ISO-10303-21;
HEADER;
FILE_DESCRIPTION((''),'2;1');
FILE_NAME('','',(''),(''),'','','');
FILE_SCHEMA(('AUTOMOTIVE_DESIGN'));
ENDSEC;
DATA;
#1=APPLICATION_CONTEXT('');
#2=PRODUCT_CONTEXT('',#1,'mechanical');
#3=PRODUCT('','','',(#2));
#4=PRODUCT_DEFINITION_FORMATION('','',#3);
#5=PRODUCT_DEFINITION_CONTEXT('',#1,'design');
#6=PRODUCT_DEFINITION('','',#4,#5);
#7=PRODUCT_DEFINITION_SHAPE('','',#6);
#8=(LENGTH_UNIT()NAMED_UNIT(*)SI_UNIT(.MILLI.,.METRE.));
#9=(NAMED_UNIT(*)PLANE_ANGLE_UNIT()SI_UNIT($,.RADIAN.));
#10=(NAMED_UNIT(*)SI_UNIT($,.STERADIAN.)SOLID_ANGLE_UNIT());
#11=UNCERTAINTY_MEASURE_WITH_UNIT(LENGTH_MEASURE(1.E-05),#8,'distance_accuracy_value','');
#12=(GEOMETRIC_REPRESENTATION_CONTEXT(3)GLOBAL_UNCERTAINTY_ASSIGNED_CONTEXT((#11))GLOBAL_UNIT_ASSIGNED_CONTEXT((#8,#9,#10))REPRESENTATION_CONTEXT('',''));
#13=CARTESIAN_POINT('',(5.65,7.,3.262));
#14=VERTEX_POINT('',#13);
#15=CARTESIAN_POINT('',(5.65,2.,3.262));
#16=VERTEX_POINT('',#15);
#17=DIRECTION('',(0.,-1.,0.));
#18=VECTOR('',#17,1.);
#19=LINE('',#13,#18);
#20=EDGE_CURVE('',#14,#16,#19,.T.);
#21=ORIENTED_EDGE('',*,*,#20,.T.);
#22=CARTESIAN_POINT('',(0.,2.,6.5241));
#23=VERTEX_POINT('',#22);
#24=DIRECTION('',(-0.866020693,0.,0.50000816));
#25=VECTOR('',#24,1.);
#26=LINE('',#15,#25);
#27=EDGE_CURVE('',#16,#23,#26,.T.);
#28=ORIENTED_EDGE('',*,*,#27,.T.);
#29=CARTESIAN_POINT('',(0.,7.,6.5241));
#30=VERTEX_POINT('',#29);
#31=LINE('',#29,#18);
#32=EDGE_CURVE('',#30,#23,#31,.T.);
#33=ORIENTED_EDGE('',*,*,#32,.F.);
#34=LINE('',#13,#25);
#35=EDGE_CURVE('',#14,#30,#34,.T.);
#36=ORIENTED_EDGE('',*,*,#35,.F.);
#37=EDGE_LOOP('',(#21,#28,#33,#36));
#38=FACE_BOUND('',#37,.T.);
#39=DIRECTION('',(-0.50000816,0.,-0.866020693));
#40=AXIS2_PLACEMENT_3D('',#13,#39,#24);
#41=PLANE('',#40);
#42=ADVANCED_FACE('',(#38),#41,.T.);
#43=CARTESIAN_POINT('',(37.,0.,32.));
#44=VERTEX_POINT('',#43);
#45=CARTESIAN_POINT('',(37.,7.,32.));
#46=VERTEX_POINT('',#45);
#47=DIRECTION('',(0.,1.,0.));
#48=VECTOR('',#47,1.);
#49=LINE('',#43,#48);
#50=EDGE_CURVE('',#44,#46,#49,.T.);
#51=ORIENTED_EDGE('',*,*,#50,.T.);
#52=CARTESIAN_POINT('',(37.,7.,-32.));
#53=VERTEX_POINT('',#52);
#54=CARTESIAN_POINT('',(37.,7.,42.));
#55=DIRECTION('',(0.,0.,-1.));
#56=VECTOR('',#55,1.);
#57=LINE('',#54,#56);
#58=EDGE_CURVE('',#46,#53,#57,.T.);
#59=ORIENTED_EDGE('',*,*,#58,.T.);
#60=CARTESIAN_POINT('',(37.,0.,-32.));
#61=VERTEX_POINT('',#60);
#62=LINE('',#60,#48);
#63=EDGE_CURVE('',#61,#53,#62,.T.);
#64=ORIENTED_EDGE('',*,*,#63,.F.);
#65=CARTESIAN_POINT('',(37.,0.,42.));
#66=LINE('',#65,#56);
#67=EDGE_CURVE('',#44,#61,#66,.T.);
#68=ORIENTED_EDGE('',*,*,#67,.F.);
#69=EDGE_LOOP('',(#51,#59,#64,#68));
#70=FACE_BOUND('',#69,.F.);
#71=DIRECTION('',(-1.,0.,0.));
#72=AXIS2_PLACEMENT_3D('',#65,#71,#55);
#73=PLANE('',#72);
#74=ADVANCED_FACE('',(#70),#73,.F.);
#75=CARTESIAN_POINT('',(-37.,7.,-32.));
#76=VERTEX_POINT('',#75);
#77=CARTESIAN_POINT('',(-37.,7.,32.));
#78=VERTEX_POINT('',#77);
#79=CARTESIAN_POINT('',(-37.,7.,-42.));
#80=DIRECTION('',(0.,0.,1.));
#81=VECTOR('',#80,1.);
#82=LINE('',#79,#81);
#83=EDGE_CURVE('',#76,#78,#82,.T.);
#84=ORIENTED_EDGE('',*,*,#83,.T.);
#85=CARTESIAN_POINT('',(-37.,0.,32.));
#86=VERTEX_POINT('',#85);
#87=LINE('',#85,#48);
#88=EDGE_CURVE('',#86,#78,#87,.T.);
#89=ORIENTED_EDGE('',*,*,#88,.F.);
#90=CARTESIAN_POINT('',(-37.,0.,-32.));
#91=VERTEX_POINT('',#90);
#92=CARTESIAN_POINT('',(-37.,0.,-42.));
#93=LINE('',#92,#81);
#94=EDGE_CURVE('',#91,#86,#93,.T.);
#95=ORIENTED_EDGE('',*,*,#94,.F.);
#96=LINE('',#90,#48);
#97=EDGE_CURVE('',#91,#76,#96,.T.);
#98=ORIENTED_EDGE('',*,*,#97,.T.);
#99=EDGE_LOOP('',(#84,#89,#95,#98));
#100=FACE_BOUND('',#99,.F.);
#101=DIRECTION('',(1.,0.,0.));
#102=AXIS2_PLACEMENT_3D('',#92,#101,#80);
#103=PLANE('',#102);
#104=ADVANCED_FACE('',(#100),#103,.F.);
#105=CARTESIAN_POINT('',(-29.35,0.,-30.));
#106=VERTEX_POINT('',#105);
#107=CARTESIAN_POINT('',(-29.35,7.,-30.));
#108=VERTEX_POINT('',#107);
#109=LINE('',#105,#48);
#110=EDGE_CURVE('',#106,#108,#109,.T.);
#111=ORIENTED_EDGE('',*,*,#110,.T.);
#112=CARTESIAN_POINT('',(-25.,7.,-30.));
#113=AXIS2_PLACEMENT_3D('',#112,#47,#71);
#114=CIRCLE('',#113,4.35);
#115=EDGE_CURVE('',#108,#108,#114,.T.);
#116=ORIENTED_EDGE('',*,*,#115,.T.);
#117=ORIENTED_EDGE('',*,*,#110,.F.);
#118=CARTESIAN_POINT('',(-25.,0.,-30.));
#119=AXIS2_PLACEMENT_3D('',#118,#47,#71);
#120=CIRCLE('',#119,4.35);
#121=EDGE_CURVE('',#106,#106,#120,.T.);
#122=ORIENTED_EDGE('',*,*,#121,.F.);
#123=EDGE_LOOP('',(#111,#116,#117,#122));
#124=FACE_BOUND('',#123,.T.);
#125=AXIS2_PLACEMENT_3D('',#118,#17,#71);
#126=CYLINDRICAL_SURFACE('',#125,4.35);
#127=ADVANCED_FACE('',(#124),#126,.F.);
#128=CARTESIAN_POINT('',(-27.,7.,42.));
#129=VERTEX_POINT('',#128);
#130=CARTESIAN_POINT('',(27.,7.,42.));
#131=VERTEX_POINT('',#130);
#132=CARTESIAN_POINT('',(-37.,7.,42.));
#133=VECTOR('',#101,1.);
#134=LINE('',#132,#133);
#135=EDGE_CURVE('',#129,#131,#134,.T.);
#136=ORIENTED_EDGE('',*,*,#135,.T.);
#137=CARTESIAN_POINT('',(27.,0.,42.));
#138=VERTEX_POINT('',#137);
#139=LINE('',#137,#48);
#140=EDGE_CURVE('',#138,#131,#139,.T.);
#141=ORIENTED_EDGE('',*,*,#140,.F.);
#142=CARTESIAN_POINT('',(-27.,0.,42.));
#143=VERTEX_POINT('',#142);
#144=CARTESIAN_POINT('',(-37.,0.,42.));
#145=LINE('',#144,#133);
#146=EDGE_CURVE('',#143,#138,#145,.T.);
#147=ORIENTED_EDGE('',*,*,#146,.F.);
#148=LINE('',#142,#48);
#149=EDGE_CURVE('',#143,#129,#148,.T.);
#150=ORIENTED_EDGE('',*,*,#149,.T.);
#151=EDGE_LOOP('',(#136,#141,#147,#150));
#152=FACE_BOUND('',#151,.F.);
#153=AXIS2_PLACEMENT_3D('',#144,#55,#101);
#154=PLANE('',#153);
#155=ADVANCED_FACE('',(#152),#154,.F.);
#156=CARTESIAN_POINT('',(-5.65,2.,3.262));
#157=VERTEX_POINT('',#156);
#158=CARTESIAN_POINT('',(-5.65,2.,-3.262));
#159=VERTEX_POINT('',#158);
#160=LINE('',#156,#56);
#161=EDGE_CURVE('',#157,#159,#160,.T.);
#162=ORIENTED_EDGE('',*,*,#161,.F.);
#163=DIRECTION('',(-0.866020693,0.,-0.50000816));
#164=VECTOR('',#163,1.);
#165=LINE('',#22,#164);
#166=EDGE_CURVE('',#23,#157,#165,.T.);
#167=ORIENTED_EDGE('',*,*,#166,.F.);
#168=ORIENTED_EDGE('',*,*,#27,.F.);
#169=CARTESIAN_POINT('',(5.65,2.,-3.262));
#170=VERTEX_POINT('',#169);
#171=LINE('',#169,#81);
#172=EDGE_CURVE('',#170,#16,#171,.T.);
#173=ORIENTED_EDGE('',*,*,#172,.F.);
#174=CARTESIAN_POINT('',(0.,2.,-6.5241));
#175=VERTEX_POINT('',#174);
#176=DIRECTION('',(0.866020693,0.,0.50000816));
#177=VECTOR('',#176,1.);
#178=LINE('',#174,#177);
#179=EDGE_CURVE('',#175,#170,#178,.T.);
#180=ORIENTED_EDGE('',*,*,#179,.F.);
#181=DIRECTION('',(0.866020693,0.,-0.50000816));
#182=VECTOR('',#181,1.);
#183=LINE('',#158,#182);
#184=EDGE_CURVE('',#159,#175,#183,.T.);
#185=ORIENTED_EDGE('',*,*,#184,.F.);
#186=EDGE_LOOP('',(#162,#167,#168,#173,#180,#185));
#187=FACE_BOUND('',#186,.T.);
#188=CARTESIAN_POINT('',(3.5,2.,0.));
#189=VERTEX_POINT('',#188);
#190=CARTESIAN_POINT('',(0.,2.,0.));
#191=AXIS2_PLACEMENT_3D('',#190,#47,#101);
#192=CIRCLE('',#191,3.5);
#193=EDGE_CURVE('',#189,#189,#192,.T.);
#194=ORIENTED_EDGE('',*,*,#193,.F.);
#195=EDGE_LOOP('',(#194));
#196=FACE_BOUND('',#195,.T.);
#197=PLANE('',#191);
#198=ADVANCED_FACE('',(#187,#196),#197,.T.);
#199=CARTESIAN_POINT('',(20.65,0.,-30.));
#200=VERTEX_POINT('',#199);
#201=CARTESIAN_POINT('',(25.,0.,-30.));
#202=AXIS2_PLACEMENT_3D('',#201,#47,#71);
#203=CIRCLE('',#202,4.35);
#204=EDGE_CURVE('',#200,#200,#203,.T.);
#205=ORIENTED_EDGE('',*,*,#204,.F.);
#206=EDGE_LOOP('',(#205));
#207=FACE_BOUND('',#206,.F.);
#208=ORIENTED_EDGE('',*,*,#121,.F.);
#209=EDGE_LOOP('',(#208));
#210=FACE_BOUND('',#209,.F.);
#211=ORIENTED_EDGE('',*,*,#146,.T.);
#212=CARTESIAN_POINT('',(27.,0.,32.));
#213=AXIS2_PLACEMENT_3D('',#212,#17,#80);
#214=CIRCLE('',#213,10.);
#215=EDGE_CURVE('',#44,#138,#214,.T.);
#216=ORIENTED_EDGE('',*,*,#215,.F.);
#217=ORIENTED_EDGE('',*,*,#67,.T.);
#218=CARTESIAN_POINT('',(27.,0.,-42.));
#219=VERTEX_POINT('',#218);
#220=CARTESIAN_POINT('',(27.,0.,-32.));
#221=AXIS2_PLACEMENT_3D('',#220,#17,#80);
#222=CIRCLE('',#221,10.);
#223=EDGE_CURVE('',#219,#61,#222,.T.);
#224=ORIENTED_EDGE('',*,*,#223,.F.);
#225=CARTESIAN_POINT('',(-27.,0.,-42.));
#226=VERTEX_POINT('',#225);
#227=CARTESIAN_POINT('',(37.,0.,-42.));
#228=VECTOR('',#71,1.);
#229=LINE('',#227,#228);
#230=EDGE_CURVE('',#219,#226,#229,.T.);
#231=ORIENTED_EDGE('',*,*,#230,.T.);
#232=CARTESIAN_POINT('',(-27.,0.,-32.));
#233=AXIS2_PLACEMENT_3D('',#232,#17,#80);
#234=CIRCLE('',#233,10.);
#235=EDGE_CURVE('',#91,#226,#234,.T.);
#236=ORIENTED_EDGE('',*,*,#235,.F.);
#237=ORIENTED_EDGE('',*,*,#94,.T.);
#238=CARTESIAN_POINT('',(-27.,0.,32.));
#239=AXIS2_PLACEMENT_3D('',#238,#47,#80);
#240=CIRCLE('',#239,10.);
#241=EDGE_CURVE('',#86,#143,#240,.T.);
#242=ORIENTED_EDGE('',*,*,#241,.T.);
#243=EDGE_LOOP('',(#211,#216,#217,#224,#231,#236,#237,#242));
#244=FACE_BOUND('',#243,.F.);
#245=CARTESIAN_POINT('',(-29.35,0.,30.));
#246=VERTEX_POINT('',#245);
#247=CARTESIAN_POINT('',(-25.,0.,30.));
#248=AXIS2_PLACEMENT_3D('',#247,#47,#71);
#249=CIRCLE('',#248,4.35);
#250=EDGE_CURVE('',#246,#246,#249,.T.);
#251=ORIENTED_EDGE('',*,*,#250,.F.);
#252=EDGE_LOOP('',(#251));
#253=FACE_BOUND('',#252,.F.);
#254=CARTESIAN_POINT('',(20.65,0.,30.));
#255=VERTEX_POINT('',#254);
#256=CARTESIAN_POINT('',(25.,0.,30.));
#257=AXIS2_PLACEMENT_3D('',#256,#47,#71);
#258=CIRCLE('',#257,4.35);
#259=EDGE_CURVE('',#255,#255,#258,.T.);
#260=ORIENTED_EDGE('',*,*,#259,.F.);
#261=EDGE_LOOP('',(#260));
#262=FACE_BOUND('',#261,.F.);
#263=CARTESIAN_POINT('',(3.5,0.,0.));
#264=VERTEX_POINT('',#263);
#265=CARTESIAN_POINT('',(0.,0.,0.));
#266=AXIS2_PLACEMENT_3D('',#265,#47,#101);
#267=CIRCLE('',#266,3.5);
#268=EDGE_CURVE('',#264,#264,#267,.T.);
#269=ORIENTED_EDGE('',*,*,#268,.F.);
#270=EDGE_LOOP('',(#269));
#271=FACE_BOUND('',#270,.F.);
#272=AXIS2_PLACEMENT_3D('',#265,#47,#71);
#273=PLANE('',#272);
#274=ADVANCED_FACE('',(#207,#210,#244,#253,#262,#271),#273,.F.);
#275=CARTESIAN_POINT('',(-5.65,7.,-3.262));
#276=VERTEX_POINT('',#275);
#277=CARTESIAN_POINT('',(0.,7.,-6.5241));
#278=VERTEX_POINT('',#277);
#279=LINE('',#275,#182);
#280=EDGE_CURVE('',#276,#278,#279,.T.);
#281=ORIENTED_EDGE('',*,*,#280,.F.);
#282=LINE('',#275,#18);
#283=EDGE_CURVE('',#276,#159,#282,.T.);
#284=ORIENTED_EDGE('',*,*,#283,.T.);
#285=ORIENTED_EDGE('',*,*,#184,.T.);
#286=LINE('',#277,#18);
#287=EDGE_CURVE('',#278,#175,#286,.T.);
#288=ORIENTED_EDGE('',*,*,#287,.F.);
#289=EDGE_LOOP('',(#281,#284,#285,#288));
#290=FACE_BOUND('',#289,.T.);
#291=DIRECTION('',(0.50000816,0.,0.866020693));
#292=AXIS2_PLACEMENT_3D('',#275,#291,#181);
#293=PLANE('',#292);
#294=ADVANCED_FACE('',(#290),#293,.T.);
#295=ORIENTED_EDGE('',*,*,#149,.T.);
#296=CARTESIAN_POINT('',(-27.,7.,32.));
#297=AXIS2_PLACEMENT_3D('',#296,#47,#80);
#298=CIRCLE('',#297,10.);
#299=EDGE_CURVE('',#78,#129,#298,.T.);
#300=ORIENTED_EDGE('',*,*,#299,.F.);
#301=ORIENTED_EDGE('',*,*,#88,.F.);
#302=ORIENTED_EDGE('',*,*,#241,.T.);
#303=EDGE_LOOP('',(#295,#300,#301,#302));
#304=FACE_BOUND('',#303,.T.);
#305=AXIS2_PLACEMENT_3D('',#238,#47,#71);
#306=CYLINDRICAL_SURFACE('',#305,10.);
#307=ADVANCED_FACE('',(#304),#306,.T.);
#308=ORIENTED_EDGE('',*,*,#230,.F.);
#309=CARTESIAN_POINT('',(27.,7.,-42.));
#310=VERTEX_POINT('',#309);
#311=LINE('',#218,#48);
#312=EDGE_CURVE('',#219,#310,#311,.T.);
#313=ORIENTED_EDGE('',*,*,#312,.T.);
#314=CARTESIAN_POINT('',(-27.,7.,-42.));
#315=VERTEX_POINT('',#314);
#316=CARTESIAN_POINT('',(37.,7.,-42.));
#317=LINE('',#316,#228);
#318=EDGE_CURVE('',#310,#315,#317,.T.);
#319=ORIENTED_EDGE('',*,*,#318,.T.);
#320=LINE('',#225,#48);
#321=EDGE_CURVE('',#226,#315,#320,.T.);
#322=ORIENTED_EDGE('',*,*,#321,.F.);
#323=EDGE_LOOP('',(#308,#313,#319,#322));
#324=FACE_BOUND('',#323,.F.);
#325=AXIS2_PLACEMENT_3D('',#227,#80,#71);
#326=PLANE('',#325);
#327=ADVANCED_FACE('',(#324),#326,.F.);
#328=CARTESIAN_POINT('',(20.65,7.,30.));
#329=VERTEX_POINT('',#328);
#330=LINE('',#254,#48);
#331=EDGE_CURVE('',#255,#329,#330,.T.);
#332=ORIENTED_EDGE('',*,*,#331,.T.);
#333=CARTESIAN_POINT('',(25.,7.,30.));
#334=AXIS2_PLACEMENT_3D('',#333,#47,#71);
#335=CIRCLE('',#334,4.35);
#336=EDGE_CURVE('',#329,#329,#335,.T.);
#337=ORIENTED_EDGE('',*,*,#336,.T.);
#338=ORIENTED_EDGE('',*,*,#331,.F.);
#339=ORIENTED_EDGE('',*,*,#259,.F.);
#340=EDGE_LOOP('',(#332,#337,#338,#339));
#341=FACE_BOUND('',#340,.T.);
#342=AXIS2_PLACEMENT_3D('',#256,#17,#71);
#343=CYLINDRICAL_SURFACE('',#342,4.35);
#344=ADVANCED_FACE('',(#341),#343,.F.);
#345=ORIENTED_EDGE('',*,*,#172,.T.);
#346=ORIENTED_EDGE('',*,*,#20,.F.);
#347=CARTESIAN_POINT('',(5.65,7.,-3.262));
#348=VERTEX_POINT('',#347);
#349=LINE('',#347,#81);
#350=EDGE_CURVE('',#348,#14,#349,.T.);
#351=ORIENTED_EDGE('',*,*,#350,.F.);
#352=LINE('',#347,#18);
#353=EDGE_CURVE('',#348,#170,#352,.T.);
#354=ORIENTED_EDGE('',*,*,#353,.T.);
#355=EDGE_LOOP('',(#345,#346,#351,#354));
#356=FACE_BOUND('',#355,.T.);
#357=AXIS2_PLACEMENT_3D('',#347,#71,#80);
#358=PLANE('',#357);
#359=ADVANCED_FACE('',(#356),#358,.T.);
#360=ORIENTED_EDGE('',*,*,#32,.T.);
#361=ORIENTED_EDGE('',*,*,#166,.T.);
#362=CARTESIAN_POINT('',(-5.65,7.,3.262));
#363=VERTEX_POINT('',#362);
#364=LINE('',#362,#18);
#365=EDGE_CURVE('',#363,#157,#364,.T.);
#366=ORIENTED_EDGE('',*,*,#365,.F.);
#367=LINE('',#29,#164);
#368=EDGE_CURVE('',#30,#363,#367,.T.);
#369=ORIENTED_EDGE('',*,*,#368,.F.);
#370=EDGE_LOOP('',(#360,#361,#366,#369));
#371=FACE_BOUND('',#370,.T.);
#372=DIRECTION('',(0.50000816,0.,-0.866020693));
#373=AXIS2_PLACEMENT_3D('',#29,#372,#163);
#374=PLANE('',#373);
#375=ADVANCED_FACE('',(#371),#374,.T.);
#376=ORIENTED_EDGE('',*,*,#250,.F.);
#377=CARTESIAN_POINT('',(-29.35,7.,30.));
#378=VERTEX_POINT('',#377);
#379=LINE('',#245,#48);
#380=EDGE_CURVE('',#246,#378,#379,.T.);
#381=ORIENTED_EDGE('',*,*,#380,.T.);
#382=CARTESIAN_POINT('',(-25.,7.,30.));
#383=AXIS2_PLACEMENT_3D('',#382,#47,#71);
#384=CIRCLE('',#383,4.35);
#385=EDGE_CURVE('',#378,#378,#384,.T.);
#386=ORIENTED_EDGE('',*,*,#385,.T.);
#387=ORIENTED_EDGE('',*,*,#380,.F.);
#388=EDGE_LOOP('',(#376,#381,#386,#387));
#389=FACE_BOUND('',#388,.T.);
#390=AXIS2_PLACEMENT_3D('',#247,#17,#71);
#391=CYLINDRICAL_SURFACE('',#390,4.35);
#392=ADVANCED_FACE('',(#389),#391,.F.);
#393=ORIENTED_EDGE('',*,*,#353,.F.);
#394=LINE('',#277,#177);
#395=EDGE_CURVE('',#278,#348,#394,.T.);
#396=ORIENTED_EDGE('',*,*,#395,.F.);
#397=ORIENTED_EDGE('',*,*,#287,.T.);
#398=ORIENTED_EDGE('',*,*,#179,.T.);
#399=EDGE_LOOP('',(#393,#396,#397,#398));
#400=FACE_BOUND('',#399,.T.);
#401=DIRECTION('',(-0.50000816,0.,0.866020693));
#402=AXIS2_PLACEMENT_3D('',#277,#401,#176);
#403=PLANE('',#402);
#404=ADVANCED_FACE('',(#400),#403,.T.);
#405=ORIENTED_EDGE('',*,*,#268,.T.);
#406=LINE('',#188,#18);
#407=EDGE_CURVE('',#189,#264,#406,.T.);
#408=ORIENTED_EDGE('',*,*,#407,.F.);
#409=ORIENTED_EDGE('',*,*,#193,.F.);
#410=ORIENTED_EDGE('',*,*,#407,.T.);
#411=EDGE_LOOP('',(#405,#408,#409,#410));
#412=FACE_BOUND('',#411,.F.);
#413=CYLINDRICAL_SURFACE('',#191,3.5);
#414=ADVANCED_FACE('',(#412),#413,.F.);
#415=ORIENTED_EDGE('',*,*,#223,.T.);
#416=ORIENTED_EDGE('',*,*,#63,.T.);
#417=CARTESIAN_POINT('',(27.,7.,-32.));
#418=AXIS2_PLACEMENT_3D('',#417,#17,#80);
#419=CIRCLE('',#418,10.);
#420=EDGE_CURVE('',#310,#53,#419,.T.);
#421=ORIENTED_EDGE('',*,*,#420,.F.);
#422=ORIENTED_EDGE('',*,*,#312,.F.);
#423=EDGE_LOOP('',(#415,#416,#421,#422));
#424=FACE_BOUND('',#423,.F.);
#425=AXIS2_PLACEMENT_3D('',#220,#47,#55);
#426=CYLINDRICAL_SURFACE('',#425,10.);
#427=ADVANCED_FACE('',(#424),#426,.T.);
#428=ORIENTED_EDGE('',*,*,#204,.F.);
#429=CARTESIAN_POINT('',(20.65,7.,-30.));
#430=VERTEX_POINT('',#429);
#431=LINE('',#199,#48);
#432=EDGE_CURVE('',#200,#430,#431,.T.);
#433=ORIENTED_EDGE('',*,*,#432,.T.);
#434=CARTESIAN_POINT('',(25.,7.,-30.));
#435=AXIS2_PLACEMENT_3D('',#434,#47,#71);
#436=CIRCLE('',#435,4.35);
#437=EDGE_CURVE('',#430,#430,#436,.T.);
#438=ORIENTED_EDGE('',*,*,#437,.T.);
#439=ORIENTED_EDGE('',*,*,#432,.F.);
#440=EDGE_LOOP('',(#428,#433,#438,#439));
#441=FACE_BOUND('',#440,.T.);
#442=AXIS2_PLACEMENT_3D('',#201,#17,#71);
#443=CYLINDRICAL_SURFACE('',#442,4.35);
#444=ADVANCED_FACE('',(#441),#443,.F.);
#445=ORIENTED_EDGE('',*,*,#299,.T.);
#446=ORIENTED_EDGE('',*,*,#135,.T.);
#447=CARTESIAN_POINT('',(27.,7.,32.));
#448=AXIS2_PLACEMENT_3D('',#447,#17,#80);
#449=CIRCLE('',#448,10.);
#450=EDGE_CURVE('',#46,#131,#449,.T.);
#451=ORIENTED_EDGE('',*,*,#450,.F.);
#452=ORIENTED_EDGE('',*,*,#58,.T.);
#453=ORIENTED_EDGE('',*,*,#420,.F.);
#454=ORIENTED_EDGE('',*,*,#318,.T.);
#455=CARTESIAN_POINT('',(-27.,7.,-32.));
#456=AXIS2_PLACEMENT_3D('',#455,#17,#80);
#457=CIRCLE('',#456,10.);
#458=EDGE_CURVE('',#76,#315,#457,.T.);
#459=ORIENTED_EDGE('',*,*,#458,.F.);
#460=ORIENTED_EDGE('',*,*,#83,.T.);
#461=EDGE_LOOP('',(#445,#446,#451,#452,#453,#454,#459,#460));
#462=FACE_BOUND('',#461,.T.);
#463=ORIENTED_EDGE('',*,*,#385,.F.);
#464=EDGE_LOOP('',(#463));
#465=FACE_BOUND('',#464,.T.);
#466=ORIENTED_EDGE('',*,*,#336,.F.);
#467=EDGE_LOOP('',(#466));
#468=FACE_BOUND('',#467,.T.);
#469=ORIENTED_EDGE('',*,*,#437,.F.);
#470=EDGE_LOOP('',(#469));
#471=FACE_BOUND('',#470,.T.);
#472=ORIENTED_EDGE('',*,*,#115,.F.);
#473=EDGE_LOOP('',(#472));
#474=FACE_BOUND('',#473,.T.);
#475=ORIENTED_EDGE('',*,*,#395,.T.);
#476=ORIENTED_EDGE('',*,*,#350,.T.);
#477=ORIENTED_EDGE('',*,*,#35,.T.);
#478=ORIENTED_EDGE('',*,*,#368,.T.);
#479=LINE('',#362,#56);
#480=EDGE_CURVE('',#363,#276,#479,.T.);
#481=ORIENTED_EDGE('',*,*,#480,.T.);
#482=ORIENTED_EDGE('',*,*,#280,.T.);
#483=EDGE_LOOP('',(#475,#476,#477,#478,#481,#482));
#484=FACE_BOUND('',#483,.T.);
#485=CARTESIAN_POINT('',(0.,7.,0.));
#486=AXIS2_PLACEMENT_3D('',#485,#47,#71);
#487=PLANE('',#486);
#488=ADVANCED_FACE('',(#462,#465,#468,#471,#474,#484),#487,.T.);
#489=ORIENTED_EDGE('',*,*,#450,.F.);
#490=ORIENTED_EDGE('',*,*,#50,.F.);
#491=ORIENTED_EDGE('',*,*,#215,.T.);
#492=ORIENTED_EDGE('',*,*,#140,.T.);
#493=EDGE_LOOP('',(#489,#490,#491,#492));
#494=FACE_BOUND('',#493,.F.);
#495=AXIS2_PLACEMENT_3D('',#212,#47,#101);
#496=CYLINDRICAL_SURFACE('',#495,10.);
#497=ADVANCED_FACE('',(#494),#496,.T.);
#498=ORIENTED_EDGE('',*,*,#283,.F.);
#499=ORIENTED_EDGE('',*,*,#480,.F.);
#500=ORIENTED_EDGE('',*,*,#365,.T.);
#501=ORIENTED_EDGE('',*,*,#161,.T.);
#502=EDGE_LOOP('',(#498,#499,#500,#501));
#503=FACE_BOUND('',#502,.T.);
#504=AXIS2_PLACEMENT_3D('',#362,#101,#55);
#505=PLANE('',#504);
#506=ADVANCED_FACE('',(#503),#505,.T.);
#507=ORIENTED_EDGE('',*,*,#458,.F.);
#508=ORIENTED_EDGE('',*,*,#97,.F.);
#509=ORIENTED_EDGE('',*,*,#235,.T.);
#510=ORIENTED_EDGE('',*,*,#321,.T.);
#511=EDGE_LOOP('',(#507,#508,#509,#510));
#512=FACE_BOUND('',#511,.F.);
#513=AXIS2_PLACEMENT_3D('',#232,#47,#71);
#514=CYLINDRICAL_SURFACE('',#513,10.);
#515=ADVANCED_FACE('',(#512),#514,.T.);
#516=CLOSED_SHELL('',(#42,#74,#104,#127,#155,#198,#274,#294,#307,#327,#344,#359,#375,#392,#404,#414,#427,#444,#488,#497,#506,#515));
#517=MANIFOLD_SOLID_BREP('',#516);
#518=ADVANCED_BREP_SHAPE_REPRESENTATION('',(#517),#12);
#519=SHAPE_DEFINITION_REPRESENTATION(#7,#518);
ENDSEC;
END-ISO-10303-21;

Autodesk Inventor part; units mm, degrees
ref_plane "YZ Plane" through (0, 0, 0) normal (1, 0, 0) x (0, 1, 0)
ref_plane "XZ Plane" through (0, 0, 0) normal (0, 1, 0) x (-1, 0, 0)
ref_plane "XY Plane" through (0, 0, 0) normal (0, 0, 1) x (1, 0, 0)
sketch "Sketch1" plane through (0, 0, 0) normal (0, 1, 0) x (-1, 0, 0)
  line L0 (37, 42) -> (-37, 42)
  line L1 (-37, 42) -> (-37, -42)
  line L2 (-37, -42) -> (37, -42)
  line L3 (37, -42) -> (37, 42)
  line L4 (37, 42) -> (-37, -42) construction
  line L5 (-37, 42) -> (37, -42) construction
  circle A0 centre (25, 30) radius 4.35
  circle A1 centre (25, -30) radius 4.35
  circle A2 centre (-25, 30) radius 4.35
  circle A3 centre (-25, -30) radius 4.35
  point P0 (0, 0)
  dimension "d0" = 74
  dimension "d1" = 84
  dimension "d4" = 60
  dimension "d7" = 50
  dimension "d10" = 8.7
  dimension "d11" = 12
  dimension "d12" = 12
extrude "Extrusion1" add sketch "Sketch1" along normal blind 7
fillet "Fillet1" radius 10 4 edges at (-37, 3.5, 42) (37, 3.5, 42) (37, 3.5, -42) (-37, 3.5, -42)
sketch "Sketch2" plane through (0, 7, 0) normal (0, 1, 0) x (1, 0, 0)
  line L0 (0, 6.5241) -> (5.65, 3.262)
  line L1 (5.65, 3.262) -> (5.65, -3.262)
  line L2 (5.65, -3.262) -> (0, -6.5241)
  line L3 (0, -6.5241) -> (-5.65, -3.262)
  line L4 (-5.65, -3.262) -> (-5.65, 3.262)
  line L5 (-5.65, 3.262) -> (0, 6.5241)
  point P0 (0, 0)
  point P1 (0, 0)
  dimension "d16" = 11.3
extrude "Extrusion2" cut sketch "Sketch2" against normal blind 5
sketch "Sketch3" plane through (0, 2, 0) normal (0, 1, 0) x (1, 0, 0)
  circle A0 centre (0, 0) radius 3.5
  dimension "d19" = 7
extrude "Extrusion3" cut sketch "Sketch3" against normal through all
properties part number "Yagi_fixed_plate"
